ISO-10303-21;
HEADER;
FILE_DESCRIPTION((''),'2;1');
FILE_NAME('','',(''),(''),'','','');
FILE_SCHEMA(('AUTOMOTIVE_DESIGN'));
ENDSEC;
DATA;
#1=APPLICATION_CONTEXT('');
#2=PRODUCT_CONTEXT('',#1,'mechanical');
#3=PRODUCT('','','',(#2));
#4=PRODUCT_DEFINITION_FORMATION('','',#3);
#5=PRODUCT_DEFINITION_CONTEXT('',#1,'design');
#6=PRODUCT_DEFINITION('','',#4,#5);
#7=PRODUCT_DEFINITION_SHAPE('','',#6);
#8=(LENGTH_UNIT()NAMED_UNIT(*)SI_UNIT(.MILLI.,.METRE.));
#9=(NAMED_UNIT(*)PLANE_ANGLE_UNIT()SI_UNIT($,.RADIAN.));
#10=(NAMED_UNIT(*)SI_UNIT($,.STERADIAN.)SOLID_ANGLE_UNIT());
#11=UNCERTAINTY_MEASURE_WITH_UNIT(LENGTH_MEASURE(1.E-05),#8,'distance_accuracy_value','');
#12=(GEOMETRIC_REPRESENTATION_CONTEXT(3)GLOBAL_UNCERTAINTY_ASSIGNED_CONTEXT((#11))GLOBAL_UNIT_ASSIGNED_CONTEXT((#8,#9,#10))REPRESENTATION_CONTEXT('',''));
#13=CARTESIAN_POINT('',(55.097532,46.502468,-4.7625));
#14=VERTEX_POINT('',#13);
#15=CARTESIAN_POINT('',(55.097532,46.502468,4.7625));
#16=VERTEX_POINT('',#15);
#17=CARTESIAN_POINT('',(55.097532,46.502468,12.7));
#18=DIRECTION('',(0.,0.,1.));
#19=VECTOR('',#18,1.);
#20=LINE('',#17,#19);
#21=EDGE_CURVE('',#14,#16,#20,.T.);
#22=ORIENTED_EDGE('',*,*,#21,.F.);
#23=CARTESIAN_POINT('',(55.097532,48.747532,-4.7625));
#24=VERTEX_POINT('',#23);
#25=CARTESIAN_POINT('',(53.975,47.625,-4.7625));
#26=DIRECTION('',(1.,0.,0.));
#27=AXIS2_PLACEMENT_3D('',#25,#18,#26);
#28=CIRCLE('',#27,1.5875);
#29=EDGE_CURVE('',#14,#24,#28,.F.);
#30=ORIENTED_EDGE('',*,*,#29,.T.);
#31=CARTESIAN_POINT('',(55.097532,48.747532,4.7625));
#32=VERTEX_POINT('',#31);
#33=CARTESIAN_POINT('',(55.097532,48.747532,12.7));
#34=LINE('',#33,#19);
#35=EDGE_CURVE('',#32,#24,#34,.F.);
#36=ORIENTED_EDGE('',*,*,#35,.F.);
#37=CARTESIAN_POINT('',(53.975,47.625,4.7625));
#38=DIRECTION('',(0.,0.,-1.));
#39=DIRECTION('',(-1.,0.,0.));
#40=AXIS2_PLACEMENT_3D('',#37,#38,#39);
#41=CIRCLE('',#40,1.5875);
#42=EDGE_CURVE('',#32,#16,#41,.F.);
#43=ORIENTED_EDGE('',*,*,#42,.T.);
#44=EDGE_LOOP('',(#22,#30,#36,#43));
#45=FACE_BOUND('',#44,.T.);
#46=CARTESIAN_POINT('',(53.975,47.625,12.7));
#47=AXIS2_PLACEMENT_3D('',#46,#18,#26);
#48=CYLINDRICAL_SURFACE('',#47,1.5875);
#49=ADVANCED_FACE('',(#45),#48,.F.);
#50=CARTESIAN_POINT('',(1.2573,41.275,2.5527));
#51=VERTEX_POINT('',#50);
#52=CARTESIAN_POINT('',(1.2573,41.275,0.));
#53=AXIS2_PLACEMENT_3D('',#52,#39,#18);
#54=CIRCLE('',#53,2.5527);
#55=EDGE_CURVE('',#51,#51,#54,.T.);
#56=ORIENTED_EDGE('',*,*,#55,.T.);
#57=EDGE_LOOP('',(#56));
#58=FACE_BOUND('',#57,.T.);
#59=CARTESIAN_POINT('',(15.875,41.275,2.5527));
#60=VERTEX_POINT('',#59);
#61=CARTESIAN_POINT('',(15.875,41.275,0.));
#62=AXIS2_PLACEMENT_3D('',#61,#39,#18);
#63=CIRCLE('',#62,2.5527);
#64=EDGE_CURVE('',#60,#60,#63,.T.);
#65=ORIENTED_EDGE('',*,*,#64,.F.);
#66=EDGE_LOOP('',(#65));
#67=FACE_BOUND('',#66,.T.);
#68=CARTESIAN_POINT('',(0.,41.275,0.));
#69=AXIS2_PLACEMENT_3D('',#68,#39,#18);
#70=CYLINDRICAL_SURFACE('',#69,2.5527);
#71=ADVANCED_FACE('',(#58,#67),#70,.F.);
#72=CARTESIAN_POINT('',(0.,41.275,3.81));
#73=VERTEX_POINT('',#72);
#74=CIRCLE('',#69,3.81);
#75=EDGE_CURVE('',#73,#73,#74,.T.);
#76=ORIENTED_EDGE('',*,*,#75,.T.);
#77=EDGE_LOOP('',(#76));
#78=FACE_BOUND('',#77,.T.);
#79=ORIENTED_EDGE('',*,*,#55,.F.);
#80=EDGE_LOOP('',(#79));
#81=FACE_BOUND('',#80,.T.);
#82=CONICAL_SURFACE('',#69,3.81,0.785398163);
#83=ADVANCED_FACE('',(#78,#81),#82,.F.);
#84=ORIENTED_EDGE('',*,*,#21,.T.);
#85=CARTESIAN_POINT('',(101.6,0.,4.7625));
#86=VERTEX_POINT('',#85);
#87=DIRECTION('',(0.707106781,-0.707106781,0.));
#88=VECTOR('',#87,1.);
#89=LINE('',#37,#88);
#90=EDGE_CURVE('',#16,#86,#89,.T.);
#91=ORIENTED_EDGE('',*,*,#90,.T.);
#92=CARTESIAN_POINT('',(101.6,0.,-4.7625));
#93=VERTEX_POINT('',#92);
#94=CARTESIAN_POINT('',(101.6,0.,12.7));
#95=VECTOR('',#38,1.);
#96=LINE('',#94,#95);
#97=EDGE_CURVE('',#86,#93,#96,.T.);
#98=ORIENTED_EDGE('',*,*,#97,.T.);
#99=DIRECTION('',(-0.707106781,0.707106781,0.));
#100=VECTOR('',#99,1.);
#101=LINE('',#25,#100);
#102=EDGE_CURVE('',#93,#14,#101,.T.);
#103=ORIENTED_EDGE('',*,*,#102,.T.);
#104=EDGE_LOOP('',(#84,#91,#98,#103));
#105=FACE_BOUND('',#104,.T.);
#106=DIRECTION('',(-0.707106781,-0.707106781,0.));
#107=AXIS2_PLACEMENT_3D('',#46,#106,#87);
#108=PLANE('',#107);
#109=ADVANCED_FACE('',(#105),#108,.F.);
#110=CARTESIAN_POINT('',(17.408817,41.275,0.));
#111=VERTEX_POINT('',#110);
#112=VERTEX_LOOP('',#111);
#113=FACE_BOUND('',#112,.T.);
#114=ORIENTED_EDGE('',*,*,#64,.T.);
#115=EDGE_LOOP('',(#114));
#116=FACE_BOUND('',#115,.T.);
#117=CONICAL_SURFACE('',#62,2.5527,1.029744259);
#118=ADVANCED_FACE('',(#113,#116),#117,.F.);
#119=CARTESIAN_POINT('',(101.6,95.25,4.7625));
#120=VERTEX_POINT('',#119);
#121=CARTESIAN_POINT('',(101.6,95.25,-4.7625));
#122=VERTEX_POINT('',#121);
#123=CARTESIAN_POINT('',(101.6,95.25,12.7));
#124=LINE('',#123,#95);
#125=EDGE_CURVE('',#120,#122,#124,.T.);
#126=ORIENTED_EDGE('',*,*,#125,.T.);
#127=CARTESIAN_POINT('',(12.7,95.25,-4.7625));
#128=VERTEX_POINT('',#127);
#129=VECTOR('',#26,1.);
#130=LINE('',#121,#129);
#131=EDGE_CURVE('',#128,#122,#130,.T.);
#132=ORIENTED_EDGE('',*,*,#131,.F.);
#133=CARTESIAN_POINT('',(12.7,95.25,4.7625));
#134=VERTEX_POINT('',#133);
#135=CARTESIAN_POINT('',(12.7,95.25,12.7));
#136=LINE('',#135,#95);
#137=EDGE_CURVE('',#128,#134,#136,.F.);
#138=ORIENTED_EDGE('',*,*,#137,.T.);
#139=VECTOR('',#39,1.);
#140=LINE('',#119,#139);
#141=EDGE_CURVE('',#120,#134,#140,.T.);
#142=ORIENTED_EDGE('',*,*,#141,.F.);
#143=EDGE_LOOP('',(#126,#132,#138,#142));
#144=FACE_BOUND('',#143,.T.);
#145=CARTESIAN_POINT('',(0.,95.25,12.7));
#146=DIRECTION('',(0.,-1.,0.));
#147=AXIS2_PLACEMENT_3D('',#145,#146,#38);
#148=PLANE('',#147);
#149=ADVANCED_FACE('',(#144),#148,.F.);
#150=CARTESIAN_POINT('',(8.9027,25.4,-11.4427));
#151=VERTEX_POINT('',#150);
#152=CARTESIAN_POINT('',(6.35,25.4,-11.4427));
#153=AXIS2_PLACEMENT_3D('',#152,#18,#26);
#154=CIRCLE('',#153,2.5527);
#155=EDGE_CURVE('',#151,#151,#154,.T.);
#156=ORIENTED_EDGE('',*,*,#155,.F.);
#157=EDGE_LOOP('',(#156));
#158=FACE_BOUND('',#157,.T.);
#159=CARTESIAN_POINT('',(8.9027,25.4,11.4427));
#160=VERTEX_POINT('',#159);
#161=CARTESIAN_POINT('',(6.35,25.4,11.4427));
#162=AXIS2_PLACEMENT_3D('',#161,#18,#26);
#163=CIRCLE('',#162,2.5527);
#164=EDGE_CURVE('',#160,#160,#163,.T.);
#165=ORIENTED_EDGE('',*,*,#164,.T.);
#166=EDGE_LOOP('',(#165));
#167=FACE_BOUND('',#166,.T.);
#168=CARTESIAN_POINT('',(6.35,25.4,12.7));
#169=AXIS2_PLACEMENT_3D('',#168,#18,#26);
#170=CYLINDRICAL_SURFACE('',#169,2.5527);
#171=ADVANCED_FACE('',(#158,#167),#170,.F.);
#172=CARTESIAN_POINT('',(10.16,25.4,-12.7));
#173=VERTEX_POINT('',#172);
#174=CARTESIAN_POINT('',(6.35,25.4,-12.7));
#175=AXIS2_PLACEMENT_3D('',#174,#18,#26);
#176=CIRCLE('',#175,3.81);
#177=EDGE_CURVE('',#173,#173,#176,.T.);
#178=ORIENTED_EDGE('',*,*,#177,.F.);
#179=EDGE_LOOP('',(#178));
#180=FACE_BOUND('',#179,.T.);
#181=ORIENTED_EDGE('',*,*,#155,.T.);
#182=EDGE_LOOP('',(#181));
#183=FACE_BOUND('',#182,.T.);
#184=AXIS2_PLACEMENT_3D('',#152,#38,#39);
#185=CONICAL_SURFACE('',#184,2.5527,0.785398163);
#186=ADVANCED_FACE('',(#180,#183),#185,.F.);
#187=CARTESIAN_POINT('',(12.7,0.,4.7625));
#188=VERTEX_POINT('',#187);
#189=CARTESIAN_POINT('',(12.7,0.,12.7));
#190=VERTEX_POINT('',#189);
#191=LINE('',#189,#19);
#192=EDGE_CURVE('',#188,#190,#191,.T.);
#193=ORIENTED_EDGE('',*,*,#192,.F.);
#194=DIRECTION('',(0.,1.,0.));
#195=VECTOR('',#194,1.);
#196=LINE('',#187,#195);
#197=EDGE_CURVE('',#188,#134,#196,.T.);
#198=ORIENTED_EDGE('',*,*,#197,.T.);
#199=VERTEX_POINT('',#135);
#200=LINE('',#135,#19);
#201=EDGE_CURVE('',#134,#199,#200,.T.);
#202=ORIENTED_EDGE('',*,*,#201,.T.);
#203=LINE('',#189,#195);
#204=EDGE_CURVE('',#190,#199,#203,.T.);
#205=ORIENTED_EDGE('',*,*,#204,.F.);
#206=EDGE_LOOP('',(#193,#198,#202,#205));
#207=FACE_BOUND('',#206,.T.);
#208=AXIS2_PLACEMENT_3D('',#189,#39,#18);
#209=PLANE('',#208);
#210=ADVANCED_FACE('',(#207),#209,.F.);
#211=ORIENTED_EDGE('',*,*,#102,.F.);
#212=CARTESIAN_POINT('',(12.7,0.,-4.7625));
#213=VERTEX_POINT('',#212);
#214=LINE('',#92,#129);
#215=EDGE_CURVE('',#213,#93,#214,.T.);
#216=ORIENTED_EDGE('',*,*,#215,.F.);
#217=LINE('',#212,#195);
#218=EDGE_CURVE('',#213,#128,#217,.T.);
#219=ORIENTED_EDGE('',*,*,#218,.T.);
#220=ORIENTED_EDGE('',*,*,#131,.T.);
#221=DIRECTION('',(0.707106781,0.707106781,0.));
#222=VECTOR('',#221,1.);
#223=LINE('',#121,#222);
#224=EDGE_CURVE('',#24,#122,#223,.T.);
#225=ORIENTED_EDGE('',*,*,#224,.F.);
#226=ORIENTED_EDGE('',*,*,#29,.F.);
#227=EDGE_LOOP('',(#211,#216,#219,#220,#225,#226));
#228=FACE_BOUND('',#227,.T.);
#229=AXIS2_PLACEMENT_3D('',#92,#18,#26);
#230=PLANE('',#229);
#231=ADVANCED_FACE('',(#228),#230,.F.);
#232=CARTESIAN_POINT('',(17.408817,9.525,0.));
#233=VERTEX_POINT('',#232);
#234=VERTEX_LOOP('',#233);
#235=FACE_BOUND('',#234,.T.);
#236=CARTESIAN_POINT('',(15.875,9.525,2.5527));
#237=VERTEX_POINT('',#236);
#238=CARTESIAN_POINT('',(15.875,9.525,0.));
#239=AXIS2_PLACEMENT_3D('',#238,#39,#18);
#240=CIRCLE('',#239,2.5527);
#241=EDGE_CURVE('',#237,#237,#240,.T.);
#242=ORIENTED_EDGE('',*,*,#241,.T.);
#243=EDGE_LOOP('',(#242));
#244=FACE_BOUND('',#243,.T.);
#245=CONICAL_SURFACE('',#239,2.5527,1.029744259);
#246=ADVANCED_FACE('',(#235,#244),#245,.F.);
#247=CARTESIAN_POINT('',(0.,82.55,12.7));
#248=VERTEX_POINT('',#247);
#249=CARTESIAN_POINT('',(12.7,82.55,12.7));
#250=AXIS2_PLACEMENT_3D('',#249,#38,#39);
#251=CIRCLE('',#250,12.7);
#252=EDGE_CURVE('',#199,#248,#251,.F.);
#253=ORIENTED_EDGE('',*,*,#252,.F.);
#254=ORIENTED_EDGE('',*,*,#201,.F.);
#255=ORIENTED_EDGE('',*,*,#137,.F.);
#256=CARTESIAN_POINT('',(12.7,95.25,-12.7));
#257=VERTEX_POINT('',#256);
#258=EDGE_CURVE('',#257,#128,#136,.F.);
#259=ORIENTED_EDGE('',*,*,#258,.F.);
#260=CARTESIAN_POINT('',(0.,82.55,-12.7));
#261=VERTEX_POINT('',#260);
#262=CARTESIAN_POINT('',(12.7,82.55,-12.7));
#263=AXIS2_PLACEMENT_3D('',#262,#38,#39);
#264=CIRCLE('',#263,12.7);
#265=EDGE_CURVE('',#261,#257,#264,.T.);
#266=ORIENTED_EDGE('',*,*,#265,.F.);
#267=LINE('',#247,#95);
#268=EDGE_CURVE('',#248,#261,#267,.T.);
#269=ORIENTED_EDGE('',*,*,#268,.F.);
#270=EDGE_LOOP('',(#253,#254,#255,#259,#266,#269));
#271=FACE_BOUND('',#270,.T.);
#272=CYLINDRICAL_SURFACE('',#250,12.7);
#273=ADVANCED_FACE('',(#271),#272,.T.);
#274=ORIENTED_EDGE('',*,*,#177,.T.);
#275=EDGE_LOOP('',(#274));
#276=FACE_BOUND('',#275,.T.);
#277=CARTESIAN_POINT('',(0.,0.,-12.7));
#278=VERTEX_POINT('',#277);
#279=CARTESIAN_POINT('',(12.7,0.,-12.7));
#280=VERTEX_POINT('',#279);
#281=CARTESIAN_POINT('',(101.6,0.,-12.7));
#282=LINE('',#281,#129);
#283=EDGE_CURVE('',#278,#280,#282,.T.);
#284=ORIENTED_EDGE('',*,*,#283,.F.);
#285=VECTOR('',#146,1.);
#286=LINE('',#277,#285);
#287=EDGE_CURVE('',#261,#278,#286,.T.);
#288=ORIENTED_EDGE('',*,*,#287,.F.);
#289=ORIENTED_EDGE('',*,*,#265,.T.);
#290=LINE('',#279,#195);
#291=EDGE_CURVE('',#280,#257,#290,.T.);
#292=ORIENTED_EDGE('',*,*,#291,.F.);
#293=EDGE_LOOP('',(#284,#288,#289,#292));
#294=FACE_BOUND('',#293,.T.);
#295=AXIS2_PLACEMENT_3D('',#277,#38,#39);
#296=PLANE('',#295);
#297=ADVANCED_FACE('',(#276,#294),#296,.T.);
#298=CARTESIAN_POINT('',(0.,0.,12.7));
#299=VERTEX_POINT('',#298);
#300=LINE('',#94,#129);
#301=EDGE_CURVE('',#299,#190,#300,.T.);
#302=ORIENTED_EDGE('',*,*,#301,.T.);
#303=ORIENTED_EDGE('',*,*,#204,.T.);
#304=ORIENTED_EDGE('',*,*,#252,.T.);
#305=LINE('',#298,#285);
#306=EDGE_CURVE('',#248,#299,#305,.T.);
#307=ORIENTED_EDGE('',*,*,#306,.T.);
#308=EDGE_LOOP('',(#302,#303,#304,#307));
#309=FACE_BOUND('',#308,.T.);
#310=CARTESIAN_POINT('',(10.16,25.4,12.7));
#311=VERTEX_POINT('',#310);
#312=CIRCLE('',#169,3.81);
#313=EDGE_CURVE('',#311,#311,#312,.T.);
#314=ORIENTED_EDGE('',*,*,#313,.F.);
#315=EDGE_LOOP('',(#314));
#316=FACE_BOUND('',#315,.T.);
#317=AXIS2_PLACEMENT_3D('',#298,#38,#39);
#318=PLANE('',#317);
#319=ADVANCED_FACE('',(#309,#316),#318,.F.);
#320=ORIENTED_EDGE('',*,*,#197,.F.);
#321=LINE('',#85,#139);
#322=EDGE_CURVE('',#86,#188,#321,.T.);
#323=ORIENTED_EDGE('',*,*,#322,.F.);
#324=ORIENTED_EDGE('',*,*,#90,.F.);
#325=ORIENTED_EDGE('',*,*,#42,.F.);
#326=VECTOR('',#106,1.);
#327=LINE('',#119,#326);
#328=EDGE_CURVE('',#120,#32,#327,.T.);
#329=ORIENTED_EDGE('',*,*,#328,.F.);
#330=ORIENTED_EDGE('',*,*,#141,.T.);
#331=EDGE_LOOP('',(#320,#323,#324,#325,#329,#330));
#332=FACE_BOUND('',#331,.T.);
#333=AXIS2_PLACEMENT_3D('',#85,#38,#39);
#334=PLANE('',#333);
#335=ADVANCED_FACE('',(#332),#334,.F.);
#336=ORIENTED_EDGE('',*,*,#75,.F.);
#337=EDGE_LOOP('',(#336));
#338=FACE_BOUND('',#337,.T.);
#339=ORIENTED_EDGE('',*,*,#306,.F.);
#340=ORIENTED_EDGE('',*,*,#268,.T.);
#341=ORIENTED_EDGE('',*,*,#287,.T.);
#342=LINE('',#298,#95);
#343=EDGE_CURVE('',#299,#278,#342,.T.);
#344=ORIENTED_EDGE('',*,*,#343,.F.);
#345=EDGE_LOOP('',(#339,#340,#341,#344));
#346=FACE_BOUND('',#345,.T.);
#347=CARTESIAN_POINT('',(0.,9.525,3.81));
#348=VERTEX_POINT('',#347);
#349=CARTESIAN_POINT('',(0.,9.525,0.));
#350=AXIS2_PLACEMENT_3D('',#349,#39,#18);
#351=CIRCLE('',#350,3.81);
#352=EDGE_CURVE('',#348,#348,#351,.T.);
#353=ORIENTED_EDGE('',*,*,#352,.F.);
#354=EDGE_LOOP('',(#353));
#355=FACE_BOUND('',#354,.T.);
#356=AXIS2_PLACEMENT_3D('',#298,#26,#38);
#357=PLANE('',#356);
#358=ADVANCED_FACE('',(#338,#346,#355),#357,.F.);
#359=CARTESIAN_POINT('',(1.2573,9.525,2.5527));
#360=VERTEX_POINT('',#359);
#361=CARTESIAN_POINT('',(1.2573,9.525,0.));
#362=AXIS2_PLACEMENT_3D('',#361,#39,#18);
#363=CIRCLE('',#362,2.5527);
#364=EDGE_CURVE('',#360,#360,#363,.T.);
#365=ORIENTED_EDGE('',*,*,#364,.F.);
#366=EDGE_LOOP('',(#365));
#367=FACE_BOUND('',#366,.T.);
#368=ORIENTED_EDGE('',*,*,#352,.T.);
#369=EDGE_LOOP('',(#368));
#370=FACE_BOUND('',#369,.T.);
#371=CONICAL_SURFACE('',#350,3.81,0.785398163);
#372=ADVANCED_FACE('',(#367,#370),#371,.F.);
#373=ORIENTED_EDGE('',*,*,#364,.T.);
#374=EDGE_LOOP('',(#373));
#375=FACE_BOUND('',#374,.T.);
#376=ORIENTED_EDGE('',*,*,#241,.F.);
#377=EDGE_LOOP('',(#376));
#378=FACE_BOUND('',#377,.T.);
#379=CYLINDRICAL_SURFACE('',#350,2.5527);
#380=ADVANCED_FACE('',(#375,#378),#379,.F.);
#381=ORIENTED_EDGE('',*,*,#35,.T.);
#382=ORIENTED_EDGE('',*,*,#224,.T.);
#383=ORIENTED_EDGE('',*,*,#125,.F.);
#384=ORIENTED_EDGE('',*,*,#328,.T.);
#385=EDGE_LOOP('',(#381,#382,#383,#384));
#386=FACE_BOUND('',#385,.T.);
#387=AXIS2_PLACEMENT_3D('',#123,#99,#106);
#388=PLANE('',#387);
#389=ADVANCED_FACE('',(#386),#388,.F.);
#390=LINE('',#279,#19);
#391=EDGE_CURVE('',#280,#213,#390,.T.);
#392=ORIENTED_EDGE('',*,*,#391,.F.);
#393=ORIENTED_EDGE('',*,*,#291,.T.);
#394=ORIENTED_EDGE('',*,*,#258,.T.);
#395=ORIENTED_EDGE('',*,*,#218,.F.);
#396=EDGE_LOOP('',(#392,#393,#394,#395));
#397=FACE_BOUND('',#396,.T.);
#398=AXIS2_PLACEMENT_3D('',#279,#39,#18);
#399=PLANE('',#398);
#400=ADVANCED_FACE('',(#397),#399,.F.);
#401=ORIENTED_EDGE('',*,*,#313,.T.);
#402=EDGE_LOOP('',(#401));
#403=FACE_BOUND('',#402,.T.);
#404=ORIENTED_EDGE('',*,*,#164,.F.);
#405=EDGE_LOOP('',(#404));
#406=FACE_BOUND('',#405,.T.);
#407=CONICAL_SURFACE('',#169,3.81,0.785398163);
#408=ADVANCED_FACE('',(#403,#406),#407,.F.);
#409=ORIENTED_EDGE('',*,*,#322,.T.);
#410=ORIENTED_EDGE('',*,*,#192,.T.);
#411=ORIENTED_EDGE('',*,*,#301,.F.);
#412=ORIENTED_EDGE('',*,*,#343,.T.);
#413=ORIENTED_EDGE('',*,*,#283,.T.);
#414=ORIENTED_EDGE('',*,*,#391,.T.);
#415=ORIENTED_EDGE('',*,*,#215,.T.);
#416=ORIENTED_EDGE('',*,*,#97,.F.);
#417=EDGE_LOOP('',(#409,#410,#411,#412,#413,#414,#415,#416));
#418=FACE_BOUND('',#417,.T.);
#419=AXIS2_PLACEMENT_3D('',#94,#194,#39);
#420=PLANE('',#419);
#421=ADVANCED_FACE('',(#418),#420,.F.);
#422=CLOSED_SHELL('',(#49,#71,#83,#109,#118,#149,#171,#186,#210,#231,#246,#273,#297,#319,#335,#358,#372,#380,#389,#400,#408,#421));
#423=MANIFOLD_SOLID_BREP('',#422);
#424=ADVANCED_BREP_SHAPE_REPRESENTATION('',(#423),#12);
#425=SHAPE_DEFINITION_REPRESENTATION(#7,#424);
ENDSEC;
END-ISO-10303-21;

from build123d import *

# Parameters (mm, degrees)
BOSS_EXTRUDE1_DEPTH               = 12.7
F_1_8_0_125_DIAMETER_HOLE1_D      = 3.175
FILLET1_R                         = 12.7
F_1_4_20_TAPPED_HOLE2_D           = 5.1054
F_1_4_20_TAPPED_HOLE2_DEPTH       = 15.875
F_1_4_20_TAPPED_HOLE2_CSINK_D     = 7.62
F_1_4_20_TAPPED_HOLE2_CSINK_ANGLE = 90
F_1_4_20_TAPPED_HOLE2_TIP         = 1.533816902
SKETCH10_W                        = 88.9
SKETCH10_H                        = 7.9375
CUT_EXTRUDE1_DEPTH                = 140.844243714


with BuildPart() as part:
    # Sketch2 → Boss-Extrude1 (new, symmetric)
    with BuildSketch(Plane.XY):
        Polygon((0, 0), (0, 95.25), (101.6, 95.25), (53.975, 47.625), (101.6, 0), align=None)
    extrude(amount=BOSS_EXTRUDE1_DEPTH, both=True)

    # 1/8 (0.125) Diameter Hole1 (through all)
    with Locations(Plane.XY.offset(12.7)):
        with Locations((53.975, 47.625)):
            Hole(F_1_8_0_125_DIAMETER_HOLE1_D / 2)

    # Fillet1
    fillet1_edges = [part.edges().sort_by_distance(p)[0] for p in [
        (0, 95.25, 0),
    ]]
    fillet(fillet1_edges, radius=FILLET1_R)

    # Sketch5 → 1/4-20 Tapped Hole1 (revolve, cut)
    with BuildSketch(Plane(origin=(6.35, 25.4, 12.7), x_dir=(0, -1, 0), z_dir=(1, 0, 0))):
        Polygon((0, 0), (0, 25.4), (3.81, 25.4), (2.5527, 24.1427), (2.5527, 1.2573), (3.81, 0), align=None)
    revolve(axis=Axis((6.35, 25.4, 19.05), (0, 0, -1)), mode=Mode.SUBTRACT)

    # 1/4-20 Tapped Hole2
    with Locations(Plane.ZY):
        with Locations((0, 41.275), (0, 9.525)):
            CounterSinkHole(F_1_4_20_TAPPED_HOLE2_D / 2, F_1_4_20_TAPPED_HOLE2_CSINK_D / 2, depth=F_1_4_20_TAPPED_HOLE2_DEPTH, counter_sink_angle=F_1_4_20_TAPPED_HOLE2_CSINK_ANGLE)
            with Locations((0, 0, -(F_1_4_20_TAPPED_HOLE2_DEPTH + F_1_4_20_TAPPED_HOLE2_TIP / 2))):  # 118° drill point
                Cone(0, F_1_4_20_TAPPED_HOLE2_D / 2, F_1_4_20_TAPPED_HOLE2_TIP, mode=Mode.SUBTRACT)

    # Sketch10 → Cut-Extrude1 (cut, through all)
    with BuildSketch(Plane(origin=(0, 95.25, 0), x_dir=(1, 0, 0), z_dir=(0, 1, 0))):
        with Locations((57.15, 8.73125)):
            Rectangle(SKETCH10_W, SKETCH10_H)
        with Locations((57.15, -8.73125)):
            Rectangle(SKETCH10_W, SKETCH10_H)
    extrude(amount=-CUT_EXTRUDE1_DEPTH, mode=Mode.SUBTRACT)


solid = part.part
